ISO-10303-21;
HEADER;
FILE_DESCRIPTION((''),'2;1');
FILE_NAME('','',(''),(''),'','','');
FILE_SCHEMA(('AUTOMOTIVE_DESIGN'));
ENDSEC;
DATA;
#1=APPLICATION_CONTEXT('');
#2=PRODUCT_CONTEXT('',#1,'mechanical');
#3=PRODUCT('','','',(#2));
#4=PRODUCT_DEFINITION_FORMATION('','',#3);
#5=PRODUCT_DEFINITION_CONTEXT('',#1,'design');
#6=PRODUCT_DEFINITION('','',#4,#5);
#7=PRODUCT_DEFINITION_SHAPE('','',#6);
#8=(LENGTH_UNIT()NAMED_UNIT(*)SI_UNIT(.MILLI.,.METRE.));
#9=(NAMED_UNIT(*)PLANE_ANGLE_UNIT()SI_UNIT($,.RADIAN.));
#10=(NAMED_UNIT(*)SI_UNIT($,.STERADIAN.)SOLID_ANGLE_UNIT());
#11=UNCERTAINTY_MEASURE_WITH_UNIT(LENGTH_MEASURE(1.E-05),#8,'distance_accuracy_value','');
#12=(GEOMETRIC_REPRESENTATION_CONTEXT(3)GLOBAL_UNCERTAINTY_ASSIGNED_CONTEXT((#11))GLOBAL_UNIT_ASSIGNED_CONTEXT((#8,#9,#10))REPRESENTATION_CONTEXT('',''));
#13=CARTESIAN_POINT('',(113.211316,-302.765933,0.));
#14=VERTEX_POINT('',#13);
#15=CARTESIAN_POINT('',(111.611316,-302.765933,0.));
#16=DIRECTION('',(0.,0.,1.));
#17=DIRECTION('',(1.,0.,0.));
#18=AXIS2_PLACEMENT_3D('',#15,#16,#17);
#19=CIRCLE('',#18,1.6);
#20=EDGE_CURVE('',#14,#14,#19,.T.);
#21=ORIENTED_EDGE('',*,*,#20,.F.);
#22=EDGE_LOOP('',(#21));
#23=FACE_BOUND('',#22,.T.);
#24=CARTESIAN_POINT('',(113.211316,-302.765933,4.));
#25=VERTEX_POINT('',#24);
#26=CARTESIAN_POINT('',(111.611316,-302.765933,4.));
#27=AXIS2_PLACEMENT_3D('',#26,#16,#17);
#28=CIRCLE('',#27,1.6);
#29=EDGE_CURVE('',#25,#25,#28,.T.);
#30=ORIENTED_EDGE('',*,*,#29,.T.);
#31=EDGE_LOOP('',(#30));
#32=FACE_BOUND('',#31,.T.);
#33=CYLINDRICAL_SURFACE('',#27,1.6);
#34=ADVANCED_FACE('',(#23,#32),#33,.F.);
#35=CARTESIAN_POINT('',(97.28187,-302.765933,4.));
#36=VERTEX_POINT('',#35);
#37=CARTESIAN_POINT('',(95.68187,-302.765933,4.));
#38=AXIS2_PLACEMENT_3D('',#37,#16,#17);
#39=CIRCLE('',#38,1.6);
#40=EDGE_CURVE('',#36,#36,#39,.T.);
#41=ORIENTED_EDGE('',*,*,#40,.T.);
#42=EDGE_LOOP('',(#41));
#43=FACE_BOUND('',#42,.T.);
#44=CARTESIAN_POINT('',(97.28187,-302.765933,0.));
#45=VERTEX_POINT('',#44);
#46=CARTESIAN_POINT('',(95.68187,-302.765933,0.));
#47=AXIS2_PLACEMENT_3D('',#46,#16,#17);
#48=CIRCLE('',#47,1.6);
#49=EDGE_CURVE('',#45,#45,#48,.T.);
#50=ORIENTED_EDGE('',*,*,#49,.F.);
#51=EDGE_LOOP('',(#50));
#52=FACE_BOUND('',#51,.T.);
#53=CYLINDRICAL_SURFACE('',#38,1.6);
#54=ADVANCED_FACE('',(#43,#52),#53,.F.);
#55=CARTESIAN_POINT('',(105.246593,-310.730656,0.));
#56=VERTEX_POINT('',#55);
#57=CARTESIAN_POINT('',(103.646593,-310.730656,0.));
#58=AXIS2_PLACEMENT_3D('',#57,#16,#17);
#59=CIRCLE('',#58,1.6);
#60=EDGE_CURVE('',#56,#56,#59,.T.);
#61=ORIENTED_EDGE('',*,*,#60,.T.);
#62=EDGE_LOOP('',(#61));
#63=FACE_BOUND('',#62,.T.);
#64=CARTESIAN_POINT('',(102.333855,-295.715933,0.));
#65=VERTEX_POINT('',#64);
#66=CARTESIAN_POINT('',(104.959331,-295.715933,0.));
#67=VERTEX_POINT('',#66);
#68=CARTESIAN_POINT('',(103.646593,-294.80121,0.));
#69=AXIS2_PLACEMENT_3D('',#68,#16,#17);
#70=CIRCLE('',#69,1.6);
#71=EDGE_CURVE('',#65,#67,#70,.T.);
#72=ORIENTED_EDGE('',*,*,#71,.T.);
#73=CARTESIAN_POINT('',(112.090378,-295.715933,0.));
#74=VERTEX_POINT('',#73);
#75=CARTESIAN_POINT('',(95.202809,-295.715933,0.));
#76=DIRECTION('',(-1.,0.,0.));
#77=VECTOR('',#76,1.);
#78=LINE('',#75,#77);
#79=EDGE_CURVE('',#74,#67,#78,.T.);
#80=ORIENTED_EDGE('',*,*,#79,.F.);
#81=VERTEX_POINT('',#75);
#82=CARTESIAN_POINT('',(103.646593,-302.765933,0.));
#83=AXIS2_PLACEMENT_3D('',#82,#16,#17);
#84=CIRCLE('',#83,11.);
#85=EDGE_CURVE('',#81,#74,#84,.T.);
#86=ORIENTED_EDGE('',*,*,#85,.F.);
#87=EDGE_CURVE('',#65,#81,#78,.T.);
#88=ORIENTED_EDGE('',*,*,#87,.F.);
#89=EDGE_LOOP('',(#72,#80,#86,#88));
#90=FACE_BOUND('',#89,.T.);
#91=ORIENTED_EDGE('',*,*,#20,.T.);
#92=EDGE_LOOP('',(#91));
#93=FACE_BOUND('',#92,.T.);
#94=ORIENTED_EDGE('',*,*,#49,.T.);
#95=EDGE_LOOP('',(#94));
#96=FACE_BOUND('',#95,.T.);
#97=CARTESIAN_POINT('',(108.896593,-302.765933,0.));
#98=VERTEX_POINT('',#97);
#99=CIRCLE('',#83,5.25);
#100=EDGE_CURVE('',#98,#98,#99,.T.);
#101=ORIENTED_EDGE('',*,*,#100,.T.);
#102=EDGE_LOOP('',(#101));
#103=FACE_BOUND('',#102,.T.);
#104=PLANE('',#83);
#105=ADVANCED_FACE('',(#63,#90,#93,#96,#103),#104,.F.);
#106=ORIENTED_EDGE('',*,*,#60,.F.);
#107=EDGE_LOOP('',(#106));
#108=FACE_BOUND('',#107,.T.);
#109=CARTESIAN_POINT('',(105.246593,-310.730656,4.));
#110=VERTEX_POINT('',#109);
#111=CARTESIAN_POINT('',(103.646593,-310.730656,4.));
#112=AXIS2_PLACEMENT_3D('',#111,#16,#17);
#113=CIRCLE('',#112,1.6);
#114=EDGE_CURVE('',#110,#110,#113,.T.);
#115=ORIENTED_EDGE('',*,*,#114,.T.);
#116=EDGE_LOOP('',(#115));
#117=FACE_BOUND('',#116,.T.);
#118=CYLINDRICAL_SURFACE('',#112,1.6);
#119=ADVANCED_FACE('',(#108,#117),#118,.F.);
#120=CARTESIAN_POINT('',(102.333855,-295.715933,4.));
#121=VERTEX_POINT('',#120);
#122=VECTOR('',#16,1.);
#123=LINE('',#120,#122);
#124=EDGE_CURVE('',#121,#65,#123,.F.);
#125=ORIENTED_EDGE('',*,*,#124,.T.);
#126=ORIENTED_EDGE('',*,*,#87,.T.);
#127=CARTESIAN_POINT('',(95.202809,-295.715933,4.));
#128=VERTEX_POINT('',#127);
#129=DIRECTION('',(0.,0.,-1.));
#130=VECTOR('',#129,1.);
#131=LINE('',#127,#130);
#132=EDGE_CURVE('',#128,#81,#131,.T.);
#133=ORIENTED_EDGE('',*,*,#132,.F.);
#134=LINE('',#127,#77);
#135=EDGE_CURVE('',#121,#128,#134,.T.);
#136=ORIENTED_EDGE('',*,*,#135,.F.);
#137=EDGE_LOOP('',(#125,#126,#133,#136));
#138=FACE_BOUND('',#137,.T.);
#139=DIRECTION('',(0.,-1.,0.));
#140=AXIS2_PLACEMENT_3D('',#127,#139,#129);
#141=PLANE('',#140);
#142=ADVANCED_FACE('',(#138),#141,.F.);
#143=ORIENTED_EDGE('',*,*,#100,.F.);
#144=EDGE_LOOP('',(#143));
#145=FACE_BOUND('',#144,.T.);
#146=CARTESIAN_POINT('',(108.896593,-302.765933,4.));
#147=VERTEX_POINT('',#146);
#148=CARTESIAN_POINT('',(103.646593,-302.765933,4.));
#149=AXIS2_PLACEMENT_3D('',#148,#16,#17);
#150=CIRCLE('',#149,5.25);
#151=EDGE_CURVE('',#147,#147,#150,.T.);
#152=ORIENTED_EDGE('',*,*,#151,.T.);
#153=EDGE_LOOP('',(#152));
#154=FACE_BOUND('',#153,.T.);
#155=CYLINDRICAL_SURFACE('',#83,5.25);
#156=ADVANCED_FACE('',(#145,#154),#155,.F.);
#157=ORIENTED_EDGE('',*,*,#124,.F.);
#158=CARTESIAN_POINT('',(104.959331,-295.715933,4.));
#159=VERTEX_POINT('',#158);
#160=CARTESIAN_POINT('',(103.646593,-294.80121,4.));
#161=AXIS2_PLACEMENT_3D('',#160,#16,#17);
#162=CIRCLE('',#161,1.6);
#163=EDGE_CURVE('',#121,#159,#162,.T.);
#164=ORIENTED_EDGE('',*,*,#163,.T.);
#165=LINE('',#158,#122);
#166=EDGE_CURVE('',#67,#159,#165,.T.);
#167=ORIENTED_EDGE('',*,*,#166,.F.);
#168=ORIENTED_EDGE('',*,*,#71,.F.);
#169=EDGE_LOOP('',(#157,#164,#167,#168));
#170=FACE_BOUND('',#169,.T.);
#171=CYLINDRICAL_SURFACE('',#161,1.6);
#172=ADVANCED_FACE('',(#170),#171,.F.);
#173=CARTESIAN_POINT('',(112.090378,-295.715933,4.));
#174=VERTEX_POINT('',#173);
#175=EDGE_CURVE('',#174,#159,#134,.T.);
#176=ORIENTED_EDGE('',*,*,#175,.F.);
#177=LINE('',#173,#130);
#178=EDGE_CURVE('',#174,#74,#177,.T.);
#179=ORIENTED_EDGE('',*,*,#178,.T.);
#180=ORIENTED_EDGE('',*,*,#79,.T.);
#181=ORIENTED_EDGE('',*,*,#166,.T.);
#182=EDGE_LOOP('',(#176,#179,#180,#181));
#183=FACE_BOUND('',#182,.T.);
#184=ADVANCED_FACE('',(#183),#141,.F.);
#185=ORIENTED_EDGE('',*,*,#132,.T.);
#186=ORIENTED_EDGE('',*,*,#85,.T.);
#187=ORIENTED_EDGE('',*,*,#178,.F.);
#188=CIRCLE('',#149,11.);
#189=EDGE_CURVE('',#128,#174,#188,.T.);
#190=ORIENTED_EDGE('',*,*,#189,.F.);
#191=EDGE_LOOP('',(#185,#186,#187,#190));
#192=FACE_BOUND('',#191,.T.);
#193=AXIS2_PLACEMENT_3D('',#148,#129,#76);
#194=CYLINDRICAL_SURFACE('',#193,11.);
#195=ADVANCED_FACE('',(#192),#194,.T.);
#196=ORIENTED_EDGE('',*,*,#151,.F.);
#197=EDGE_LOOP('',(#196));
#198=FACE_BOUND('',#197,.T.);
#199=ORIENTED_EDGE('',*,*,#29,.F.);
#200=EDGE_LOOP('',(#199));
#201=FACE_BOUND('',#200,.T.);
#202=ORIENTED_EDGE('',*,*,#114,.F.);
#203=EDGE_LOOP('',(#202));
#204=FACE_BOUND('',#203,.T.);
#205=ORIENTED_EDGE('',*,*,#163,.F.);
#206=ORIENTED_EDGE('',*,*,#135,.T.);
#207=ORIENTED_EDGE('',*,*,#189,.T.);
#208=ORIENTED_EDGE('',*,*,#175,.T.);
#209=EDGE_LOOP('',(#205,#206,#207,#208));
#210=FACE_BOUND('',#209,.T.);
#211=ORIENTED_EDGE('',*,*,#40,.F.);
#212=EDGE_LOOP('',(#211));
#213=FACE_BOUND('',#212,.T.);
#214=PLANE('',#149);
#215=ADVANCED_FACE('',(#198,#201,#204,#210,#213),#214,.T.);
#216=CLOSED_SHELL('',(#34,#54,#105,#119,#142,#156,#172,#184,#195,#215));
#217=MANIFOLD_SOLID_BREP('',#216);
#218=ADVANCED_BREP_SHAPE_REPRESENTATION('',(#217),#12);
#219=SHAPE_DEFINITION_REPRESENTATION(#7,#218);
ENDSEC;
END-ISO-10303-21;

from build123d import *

# Parameters (mm, degrees)
RESSALTO_EXTRUS_O1_DEPTH = 4
ESBO_O2_R                = 5.25
CORTE_EXTRUS_O1_DEPTH    = 4
M3_CLEARANCE_HOLE1_D     = 3.2


with BuildPart() as part:
    # Esboço1 → Ressalto-extrusão1 (new body)
    with BuildSketch(Plane.XY):
        with BuildLine():
            Line((95.202808527, -295.7159332), (112.09037792, -295.7159332))
            ThreePointArc((112.09037792, -295.7159332), (103.646593224, -313.7659332), (95.202808527, -295.7159332))
        make_face()
    extrude(amount=RESSALTO_EXTRUS_O1_DEPTH)

    # Esboço2 → Corte-extrusão1 (cut)
    with BuildSketch(Plane.XY.offset(4)):
        with Locations((103.646593224, -302.7659332)):
            Circle(ESBO_O2_R)
    extrude(amount=-CORTE_EXTRUS_O1_DEPTH, mode=Mode.SUBTRACT)

    # M3 Clearance Hole1 (through all)
    with Locations(Plane.XY.offset(4)):
        with Locations((95.681870132, -302.765933199), (111.611316315, -302.765933199), (103.646593224, -310.730656291), (103.646593224, -294.801210108)):
            Hole(M3_CLEARANCE_HOLE1_D / 2)


solid = part.part
